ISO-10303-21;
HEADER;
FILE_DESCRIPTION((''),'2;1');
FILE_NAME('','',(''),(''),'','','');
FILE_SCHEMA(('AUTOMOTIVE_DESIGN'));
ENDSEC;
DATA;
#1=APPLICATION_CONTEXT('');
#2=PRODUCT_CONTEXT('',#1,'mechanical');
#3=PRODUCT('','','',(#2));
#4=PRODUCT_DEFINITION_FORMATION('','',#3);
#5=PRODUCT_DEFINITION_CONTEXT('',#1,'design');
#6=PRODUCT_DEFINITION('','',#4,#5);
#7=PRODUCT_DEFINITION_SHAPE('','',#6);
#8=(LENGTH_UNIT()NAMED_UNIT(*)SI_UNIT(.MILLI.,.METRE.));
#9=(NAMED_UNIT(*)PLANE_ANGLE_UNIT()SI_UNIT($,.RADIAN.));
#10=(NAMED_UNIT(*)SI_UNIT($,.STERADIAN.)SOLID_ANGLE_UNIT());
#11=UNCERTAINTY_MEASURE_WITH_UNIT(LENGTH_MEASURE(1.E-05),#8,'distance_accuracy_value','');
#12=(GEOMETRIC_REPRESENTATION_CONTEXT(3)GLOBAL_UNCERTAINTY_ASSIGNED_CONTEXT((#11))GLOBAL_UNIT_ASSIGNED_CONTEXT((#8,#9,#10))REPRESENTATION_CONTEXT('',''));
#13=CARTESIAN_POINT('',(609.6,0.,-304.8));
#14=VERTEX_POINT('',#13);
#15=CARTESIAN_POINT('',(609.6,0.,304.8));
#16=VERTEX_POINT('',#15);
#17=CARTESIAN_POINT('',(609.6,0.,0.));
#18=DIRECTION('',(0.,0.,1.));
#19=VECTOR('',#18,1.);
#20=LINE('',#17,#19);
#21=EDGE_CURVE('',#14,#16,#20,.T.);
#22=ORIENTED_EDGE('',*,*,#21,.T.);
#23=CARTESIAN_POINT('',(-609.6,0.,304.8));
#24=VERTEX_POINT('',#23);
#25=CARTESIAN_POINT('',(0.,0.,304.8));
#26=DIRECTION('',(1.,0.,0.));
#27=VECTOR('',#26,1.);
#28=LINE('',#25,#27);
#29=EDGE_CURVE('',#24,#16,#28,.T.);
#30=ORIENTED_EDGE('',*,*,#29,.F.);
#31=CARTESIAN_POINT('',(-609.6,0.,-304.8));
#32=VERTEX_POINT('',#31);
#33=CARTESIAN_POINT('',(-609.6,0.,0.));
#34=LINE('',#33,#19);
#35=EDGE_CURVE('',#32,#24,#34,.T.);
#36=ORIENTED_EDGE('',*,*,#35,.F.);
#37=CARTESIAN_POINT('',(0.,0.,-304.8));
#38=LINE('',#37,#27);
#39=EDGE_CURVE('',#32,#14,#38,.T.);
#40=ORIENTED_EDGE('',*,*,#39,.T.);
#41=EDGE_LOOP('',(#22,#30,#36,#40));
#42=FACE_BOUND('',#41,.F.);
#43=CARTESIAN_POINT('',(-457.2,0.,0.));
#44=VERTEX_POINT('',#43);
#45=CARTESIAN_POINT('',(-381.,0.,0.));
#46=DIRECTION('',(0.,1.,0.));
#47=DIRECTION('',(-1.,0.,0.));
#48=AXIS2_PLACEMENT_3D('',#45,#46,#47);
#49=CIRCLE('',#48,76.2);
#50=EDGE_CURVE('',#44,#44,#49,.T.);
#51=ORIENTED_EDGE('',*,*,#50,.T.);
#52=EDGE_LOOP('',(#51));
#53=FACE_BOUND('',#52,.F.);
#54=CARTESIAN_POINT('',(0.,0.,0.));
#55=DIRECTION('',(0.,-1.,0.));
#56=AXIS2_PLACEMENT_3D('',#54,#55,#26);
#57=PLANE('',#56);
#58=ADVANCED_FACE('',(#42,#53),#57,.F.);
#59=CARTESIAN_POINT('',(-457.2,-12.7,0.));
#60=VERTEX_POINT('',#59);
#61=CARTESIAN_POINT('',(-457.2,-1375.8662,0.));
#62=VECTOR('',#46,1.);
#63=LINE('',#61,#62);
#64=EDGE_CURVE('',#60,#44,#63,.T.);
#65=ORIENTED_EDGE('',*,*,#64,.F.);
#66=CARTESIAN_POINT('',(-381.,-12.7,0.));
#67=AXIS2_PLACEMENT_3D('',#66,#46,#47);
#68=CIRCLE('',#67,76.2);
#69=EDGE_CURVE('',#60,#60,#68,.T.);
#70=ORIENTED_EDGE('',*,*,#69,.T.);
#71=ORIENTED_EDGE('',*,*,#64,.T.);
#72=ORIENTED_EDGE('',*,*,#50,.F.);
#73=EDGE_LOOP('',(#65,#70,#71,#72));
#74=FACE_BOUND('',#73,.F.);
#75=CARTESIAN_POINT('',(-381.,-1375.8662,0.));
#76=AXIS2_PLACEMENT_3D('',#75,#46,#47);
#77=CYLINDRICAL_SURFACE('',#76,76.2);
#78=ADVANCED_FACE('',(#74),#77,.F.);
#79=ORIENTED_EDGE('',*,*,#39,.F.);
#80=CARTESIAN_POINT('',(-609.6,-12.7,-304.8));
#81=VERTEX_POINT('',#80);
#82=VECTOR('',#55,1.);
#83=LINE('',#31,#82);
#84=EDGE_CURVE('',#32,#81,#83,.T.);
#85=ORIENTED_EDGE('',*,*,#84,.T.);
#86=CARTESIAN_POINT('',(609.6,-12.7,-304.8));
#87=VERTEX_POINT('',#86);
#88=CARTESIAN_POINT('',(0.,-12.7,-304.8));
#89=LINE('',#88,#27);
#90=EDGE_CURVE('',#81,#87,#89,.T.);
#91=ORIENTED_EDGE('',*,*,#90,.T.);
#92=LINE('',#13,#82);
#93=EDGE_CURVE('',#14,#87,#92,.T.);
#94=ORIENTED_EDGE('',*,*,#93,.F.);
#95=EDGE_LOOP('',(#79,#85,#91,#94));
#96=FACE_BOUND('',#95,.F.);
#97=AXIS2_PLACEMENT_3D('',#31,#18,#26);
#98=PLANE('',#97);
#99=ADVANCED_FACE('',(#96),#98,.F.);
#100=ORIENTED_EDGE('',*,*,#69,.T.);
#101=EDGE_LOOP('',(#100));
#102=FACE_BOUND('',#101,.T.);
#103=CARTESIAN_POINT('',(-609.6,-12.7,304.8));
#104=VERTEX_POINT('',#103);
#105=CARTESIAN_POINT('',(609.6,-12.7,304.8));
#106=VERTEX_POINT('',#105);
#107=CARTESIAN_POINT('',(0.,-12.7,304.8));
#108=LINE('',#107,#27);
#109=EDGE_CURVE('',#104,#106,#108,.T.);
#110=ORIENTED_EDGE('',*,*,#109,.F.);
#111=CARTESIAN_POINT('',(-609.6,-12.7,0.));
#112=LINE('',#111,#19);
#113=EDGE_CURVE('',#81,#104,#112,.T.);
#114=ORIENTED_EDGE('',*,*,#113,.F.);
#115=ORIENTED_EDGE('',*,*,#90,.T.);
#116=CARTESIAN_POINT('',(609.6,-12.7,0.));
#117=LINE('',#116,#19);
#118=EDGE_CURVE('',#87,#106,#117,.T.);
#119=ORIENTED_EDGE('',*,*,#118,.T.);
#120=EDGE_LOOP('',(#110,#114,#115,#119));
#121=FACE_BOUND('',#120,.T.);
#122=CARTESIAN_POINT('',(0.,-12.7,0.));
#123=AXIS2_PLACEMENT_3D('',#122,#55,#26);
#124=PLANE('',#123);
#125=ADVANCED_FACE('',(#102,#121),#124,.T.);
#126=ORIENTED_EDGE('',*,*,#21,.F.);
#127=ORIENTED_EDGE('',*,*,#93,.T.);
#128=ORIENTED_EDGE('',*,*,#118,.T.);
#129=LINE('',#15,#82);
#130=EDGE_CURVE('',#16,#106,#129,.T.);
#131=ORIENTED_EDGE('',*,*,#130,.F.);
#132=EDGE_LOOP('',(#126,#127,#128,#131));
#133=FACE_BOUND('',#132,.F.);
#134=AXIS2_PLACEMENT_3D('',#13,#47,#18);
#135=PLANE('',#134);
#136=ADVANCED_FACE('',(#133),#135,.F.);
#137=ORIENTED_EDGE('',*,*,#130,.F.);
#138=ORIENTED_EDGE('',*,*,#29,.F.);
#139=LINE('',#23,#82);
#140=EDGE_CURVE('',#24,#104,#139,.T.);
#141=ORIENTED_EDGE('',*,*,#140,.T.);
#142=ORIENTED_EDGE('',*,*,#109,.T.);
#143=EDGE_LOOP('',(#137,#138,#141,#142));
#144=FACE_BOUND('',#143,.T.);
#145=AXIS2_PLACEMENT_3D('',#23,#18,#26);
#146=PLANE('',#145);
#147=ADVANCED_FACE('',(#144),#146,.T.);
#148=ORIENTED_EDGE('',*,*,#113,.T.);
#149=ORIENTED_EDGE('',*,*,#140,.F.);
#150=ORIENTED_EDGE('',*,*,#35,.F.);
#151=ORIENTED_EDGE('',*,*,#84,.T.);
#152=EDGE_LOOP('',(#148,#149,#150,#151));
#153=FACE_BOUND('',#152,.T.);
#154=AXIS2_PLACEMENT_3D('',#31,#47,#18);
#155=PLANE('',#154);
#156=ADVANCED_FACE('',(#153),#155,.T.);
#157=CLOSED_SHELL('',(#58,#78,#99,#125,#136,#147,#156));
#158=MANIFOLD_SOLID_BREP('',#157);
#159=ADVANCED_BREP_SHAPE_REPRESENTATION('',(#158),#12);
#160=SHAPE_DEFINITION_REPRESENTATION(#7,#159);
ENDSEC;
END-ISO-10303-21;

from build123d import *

# Parameters (mm, degrees)
F0_W     = 1219.2
F0_H     = 609.6
F1_DEPTH = 12.7
F3_D     = 152.4


with BuildPart() as f1:
    # F0 (on Front) → F1 (new body)
    with BuildSketch(Plane.XZ):
        Rectangle(F0_W, F0_H)
    extrude(amount=F1_DEPTH)

    # F3 (through all)
    with Locations(Plane.XZ.offset(12.7)):
        with Locations((-381, 0)):
            Hole(F3_D / 2)


solid = f1.part
